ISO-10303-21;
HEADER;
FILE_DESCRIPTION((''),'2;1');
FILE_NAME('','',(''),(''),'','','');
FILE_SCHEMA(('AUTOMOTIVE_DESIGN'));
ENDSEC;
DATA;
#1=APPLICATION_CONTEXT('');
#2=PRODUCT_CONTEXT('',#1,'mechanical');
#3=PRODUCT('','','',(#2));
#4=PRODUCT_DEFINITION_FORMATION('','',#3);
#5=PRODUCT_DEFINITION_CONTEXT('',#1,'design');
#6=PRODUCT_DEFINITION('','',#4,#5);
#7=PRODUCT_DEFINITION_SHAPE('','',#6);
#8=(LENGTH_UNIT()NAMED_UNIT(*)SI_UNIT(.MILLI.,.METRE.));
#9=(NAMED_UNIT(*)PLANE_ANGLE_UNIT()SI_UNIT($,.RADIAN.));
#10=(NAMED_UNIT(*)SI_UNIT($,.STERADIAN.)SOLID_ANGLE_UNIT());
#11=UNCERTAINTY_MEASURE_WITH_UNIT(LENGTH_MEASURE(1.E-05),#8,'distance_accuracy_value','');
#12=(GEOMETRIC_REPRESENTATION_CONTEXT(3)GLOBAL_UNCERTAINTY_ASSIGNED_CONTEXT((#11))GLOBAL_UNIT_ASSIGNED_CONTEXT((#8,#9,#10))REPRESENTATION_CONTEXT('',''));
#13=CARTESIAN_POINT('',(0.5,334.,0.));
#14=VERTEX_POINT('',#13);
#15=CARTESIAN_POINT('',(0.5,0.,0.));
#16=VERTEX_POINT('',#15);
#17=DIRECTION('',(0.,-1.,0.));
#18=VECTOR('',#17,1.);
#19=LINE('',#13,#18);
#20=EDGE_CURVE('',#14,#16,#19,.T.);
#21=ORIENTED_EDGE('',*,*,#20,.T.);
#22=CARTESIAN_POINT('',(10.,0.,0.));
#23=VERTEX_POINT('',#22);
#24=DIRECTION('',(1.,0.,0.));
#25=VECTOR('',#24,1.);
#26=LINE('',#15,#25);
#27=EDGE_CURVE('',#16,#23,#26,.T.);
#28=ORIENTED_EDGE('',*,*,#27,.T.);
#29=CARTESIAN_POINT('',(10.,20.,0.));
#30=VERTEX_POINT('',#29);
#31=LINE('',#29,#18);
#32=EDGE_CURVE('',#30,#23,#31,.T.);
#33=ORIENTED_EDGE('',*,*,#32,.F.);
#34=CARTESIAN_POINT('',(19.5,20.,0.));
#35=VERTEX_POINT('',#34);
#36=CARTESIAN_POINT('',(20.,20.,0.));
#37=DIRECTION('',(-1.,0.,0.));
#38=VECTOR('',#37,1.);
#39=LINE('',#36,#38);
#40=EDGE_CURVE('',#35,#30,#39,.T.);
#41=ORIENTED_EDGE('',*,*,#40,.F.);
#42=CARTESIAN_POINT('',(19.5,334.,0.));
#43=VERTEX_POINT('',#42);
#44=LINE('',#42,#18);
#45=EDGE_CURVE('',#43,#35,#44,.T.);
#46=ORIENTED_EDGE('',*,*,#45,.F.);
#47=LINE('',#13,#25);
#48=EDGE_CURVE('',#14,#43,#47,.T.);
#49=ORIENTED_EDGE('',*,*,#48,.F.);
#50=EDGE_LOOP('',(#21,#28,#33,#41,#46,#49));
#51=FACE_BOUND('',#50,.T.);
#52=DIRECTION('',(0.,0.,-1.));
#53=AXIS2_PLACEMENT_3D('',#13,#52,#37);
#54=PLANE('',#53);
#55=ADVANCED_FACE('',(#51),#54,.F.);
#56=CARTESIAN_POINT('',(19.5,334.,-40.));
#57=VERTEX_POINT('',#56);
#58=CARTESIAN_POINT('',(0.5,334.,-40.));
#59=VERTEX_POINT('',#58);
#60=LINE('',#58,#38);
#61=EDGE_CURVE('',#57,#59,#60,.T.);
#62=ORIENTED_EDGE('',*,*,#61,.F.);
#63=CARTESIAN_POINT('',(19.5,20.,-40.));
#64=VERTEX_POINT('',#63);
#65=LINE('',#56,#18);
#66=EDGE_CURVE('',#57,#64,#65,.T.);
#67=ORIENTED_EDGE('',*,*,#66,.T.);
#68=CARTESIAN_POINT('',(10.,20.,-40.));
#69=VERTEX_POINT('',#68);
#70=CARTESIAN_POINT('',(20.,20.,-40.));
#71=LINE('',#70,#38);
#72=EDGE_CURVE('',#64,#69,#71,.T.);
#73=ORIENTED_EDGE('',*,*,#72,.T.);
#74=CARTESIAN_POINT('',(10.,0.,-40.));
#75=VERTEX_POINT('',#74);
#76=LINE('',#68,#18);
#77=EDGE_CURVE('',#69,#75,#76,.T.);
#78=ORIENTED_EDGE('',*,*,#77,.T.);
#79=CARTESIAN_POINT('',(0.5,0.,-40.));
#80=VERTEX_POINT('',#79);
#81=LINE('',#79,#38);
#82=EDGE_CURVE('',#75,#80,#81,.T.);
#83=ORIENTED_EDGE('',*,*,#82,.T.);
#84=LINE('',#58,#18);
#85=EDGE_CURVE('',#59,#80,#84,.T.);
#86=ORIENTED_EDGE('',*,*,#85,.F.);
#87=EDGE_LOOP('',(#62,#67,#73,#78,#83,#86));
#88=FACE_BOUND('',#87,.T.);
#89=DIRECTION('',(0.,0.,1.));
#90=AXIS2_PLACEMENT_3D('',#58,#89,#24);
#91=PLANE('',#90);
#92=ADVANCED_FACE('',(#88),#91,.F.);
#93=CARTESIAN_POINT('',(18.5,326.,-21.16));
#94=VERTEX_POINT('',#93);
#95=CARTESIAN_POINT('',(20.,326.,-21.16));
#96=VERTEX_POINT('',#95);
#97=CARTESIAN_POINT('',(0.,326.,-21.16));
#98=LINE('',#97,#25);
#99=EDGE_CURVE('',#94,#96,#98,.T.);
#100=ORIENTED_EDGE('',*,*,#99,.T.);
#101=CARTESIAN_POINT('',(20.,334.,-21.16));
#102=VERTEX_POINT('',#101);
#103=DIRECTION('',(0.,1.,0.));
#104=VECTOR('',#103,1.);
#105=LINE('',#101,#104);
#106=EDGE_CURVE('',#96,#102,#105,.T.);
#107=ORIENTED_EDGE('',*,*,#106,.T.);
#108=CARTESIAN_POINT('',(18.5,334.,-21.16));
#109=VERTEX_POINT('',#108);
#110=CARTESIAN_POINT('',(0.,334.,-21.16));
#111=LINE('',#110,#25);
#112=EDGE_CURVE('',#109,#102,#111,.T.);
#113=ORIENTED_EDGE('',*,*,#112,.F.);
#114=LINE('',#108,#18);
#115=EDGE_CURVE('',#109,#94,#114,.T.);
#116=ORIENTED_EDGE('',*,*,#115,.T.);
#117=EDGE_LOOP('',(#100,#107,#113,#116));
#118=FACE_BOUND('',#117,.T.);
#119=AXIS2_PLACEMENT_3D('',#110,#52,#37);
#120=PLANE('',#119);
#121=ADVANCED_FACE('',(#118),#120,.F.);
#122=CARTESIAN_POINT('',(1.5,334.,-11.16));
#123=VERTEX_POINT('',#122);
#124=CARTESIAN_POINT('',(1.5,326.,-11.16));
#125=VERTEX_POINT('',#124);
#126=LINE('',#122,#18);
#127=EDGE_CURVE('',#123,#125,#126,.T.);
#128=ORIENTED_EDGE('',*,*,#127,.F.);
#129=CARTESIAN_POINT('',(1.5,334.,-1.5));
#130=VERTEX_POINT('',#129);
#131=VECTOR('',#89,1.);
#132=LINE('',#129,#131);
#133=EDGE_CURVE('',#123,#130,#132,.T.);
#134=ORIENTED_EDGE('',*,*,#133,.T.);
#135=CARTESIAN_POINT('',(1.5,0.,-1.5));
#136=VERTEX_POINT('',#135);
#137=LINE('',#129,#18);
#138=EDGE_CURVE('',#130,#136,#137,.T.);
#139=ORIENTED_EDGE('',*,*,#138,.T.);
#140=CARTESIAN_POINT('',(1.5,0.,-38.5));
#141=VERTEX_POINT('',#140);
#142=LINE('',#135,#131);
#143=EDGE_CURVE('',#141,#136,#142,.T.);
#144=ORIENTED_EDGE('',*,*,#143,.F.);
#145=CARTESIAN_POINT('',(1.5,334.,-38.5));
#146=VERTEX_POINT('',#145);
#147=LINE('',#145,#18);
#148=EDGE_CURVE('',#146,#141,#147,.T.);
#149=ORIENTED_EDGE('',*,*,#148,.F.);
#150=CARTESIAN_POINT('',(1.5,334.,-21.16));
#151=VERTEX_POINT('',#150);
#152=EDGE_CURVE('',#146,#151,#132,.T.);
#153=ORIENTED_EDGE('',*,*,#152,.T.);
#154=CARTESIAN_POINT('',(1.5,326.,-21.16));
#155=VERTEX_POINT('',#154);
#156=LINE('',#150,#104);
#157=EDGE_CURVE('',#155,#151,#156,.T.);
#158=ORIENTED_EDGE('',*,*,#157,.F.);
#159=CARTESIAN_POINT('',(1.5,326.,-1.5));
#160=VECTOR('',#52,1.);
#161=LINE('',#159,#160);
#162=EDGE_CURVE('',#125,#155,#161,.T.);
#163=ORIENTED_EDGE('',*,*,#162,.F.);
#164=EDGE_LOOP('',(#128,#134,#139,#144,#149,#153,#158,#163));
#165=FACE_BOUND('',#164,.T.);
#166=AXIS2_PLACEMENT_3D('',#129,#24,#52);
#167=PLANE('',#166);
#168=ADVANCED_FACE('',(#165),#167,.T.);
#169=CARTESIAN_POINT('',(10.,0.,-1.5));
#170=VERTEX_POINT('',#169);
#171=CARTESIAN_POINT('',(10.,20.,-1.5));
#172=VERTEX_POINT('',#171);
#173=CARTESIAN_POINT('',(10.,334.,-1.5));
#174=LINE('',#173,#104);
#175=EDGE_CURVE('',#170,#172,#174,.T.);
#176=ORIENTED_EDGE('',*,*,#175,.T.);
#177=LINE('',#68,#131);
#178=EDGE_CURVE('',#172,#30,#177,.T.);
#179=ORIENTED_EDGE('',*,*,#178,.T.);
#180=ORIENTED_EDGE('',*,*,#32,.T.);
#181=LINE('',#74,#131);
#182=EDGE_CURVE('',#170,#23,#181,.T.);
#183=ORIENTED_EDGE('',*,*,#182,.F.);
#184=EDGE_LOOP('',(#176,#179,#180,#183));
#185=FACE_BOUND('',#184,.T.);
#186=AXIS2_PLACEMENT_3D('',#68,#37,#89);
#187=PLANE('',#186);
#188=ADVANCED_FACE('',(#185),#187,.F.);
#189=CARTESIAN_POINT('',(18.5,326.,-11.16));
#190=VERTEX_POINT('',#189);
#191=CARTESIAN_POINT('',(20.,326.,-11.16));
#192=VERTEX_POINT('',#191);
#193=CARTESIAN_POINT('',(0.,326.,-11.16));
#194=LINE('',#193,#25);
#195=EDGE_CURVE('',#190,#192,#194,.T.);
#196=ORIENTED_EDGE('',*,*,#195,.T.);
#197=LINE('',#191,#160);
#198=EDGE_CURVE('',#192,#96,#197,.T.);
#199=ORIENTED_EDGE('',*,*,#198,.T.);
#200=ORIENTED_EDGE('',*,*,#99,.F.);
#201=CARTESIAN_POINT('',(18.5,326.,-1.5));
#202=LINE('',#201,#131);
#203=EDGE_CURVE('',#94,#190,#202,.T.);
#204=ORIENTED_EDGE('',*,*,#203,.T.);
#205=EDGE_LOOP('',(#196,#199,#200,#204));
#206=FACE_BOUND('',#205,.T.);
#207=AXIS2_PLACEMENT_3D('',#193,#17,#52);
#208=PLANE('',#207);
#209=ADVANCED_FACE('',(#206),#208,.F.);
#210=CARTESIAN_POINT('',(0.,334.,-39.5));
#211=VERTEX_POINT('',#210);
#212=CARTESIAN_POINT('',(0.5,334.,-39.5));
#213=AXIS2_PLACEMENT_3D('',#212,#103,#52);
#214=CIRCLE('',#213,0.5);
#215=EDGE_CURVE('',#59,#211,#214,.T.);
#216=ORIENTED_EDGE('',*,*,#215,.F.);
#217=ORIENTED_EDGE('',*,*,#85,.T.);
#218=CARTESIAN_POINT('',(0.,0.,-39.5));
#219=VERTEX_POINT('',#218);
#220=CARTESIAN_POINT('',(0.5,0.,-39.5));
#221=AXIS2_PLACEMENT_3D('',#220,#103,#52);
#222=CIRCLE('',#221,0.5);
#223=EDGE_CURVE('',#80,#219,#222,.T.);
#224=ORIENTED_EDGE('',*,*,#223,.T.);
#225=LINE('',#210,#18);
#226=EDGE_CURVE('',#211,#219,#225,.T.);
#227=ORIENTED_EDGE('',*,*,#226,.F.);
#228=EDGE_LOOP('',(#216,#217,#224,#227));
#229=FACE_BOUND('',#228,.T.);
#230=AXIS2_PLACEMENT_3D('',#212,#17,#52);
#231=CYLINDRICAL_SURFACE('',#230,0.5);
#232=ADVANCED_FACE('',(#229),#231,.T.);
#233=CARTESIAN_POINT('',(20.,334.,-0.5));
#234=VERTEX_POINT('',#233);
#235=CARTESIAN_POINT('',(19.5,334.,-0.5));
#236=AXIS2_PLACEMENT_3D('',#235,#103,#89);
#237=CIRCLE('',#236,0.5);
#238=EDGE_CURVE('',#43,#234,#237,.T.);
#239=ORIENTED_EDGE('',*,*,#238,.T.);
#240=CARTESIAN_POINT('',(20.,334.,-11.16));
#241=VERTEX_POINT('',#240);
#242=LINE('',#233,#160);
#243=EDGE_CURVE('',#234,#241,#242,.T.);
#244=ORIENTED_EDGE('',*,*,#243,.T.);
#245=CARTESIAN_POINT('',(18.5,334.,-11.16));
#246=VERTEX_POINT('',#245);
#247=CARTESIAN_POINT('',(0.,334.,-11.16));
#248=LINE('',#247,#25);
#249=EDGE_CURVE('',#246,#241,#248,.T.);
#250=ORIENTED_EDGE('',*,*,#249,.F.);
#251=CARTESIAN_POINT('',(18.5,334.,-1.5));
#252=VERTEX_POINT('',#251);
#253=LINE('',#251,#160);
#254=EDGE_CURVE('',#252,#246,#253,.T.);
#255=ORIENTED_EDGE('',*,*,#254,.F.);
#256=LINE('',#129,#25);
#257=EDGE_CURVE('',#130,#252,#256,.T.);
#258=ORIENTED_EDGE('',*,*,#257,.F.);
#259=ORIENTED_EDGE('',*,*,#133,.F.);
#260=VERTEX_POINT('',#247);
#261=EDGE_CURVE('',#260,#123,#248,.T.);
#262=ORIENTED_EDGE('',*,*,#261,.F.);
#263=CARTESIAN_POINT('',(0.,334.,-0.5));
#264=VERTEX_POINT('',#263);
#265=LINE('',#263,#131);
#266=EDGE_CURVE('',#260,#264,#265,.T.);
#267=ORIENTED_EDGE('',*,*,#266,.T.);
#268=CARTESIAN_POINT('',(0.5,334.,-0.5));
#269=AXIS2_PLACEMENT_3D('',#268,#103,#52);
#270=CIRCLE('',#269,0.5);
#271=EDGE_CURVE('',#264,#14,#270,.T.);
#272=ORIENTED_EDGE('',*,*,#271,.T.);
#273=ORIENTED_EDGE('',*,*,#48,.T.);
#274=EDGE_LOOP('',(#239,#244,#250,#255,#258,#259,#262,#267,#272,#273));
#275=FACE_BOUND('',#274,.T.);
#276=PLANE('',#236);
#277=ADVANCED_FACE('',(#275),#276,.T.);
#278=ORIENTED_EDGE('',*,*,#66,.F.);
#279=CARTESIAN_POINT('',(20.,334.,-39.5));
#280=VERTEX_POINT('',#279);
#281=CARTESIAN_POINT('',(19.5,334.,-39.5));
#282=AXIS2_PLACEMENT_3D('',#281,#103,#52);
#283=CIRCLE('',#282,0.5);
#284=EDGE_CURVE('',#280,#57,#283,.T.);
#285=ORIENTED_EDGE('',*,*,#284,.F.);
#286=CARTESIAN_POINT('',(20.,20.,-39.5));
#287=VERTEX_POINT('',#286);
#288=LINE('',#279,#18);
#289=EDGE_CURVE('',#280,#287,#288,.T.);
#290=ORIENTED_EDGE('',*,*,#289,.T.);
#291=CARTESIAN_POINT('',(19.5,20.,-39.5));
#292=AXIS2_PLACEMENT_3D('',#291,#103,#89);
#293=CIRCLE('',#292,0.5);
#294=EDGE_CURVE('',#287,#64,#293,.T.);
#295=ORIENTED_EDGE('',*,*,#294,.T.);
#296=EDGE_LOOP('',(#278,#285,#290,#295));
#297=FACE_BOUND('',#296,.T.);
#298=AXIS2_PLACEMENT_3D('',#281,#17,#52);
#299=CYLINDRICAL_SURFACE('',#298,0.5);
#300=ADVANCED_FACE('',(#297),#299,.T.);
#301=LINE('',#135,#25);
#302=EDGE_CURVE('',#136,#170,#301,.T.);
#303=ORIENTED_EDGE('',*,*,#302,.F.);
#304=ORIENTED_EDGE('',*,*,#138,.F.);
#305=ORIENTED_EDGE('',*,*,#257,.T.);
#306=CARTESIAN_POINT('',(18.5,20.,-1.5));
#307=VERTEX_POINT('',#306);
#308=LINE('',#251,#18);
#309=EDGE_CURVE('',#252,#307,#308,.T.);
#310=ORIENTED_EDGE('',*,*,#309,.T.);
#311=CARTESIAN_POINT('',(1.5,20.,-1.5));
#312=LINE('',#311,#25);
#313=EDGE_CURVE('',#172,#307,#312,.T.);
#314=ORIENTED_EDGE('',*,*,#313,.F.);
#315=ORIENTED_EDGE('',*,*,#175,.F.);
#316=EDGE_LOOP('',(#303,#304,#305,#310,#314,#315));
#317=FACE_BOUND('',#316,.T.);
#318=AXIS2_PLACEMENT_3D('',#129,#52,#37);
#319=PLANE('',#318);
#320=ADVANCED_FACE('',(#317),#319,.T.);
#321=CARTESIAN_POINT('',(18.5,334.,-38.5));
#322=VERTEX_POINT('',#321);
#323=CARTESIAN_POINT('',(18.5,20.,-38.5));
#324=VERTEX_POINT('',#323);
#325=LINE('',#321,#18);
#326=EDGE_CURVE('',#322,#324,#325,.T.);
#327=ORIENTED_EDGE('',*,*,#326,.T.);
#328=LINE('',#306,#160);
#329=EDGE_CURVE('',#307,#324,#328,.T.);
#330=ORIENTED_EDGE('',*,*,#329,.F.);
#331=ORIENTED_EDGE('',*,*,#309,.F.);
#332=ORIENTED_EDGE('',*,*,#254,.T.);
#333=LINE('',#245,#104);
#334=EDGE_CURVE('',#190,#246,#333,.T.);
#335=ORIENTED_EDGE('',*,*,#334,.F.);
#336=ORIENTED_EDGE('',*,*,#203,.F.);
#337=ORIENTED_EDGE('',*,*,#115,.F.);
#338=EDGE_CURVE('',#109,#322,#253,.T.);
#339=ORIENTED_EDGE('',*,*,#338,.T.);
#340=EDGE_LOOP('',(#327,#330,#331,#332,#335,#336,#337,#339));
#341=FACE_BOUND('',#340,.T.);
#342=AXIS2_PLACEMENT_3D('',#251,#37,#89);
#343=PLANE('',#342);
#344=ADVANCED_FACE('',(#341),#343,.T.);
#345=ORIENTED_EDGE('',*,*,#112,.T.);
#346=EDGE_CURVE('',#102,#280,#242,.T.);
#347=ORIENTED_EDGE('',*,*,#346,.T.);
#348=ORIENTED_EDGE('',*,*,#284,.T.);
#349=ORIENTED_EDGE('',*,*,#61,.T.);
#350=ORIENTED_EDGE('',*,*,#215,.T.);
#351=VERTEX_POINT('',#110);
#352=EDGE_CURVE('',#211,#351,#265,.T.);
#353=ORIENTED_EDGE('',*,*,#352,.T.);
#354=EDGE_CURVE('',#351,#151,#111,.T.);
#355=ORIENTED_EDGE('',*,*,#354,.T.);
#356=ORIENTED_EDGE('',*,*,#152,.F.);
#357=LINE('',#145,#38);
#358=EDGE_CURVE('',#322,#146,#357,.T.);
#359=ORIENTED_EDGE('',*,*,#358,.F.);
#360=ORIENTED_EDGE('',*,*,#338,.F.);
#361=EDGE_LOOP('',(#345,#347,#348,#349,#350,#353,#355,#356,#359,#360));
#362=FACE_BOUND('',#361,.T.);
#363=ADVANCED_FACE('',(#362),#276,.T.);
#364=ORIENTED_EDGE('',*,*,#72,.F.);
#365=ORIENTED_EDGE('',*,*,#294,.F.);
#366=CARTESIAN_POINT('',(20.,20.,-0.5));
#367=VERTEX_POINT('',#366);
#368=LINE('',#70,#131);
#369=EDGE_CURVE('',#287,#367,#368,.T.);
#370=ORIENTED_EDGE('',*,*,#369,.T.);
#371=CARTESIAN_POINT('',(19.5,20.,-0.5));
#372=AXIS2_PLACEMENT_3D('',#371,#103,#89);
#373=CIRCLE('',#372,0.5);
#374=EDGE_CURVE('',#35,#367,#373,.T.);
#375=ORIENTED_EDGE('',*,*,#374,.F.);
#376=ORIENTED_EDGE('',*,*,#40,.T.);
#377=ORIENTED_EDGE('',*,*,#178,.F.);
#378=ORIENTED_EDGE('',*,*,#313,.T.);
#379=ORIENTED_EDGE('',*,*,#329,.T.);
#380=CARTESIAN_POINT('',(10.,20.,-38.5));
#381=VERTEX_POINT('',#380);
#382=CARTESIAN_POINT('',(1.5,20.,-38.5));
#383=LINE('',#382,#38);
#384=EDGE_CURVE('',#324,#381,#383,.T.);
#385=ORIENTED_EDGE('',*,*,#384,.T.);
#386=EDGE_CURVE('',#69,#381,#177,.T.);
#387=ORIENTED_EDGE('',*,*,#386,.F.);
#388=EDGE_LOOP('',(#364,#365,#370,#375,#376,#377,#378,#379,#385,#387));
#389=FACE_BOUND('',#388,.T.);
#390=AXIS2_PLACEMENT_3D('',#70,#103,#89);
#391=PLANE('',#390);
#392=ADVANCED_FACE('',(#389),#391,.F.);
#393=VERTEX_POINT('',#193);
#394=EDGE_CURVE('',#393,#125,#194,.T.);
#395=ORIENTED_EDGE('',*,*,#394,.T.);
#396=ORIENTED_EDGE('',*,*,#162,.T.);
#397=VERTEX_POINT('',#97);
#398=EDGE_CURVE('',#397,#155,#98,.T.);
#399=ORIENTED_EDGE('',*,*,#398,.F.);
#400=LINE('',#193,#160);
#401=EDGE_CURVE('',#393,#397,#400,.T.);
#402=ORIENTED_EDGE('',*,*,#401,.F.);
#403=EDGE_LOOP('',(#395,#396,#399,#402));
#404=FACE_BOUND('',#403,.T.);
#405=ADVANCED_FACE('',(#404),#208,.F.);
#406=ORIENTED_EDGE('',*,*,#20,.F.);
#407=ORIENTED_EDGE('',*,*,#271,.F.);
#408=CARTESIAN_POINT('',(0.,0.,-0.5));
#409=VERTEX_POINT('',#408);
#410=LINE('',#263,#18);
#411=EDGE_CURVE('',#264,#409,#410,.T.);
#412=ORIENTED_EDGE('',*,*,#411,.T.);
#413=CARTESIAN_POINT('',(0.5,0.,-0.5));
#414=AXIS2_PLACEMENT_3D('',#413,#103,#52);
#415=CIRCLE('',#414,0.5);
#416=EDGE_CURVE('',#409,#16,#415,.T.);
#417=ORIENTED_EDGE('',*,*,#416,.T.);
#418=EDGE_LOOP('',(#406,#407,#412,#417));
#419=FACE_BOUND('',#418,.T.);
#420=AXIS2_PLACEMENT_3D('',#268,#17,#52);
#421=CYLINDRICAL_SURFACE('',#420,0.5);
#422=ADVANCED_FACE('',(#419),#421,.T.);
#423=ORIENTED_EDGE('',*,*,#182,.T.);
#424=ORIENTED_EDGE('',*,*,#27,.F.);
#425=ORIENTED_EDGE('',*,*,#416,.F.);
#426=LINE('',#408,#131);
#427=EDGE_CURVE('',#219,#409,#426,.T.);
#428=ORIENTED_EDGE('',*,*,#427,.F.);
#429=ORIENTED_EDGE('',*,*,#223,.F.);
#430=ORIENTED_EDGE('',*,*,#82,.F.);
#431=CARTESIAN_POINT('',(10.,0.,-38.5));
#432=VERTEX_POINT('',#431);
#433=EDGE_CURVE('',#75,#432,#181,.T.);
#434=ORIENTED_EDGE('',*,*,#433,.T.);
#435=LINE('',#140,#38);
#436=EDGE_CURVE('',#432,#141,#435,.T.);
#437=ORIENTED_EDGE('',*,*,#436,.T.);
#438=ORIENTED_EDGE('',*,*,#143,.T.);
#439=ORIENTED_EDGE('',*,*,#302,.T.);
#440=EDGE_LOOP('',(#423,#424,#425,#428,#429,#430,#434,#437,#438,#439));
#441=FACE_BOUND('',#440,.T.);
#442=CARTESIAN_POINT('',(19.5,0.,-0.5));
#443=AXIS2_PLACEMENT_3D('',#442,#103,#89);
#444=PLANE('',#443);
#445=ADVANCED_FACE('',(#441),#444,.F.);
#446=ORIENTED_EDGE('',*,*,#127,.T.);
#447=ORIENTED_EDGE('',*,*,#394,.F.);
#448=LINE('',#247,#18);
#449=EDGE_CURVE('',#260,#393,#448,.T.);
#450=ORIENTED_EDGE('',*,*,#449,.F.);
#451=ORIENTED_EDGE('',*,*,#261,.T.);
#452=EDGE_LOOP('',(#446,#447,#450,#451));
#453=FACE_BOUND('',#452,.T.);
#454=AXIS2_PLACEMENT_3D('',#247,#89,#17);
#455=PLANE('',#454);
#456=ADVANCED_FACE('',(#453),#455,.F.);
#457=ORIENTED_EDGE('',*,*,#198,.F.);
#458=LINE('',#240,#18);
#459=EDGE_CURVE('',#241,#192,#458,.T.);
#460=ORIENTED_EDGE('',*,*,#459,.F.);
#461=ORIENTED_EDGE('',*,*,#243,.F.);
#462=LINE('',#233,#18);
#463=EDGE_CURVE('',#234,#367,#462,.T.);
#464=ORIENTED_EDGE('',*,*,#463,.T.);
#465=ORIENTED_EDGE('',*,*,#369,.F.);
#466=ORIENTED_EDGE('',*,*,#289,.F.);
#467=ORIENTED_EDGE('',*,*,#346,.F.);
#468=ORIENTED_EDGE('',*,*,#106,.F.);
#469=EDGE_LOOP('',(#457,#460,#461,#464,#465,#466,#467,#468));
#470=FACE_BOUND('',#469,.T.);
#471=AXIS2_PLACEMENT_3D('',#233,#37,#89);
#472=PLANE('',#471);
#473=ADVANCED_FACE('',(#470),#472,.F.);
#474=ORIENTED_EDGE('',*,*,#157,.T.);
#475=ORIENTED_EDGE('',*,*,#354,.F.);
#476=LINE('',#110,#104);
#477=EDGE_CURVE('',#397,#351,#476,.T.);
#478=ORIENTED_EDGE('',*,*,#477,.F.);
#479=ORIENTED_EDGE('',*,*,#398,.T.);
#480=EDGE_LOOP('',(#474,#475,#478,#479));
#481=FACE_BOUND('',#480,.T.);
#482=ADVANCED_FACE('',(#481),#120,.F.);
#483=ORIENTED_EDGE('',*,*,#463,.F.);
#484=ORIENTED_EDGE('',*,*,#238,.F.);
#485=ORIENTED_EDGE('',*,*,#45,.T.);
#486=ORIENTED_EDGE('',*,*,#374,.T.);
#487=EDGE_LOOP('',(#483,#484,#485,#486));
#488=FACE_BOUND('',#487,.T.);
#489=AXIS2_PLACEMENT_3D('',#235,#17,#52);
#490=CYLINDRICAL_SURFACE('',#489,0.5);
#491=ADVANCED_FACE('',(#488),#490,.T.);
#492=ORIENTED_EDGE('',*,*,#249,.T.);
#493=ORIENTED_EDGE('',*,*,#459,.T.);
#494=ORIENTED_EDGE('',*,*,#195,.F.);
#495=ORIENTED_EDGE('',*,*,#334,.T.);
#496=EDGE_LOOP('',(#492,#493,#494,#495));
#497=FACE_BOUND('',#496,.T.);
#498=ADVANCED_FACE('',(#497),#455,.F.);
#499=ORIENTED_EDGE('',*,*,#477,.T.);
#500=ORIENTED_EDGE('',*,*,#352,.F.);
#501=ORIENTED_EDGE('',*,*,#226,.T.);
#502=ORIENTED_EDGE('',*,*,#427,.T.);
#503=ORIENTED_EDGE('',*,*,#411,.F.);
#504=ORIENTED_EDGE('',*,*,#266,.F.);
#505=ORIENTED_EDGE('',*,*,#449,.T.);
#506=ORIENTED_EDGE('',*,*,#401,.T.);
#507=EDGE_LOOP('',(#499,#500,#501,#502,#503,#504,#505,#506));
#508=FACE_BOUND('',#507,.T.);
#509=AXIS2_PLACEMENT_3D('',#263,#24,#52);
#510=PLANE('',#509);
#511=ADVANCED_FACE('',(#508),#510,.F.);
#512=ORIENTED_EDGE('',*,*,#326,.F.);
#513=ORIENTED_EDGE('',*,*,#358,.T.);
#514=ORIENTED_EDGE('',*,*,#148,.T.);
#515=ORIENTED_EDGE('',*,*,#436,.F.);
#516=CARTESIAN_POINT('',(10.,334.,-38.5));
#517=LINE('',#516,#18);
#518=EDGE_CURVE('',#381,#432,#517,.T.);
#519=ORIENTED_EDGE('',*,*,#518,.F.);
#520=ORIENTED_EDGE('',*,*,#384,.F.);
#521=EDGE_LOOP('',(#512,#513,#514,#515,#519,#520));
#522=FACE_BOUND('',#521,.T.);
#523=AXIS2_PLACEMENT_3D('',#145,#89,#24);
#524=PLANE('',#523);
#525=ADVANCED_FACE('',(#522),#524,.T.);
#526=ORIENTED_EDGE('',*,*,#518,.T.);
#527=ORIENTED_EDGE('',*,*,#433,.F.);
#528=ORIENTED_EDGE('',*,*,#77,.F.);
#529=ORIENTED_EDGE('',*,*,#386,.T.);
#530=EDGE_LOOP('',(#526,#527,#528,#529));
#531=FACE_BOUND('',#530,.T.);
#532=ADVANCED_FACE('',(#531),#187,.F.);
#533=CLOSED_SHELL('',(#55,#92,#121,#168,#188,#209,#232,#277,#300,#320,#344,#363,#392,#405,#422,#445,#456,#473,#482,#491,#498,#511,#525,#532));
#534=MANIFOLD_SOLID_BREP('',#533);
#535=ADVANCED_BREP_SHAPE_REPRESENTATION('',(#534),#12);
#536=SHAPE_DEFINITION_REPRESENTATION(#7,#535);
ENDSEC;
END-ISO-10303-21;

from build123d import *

# Parameters (mm, degrees)
SKETCH1_W           = 17
SKETCH1_H           = 37
BOSS_EXTRUDE1_DEPTH = 334
SKETCH2_W           = 10
SKETCH2_H           = 20
CUT_EXTRUDE1_DEPTH  = 40
SKETCH4_W           = 10
SKETCH4_H           = 8
CUT_EXTRUDE3_DEPTH  = 337.980711614


with BuildPart() as part:
    # Sketch1 → Boss-Extrude1 (new body)
    with BuildSketch(Plane(origin=(0, 0, 0), x_dir=(1, 0, 0), z_dir=(0, 1, 0))):
        with BuildLine():
            Line((0.5, 0), (19.5, 0))
            ThreePointArc((19.5, 0), (19.853553391, 0.146446609), (20, 0.5))
            Line((20, 0.5), (20, 39.5))
            ThreePointArc((20, 39.5), (19.853553391, 39.853553391), (19.5, 40))
            Line((19.5, 40), (0.5, 40))
            ThreePointArc((0.5, 40), (0.146446609, 39.853553391), (0, 39.5))
            Line((0, 39.5), (0, 0.5))
            ThreePointArc((0, 0.5), (0.146446609, 0.146446609), (0.5, 0))
        make_face()
        with Locations((10, 20)):
            Rectangle(SKETCH1_W, SKETCH1_H, mode=Mode.SUBTRACT)
    extrude(amount=BOSS_EXTRUDE1_DEPTH)

    # Sketch2 → Cut-Extrude1 (cut)
    with BuildSketch(Plane.XY):
        with Locations((15, 10)):
            Rectangle(SKETCH2_W, SKETCH2_H)
    extrude(amount=-CUT_EXTRUDE1_DEPTH, mode=Mode.SUBTRACT)

    # Sketch4 → Cut-Extrude3 (cut, through all)
    with BuildSketch(Plane(origin=(20, 0, 0), x_dir=(0, 0, -1), z_dir=(1, 0, 0))):
        with Locations((16.16, 330)):
            Rectangle(SKETCH4_W, SKETCH4_H)
    extrude(amount=-CUT_EXTRUDE3_DEPTH, mode=Mode.SUBTRACT)


solid = part.part
